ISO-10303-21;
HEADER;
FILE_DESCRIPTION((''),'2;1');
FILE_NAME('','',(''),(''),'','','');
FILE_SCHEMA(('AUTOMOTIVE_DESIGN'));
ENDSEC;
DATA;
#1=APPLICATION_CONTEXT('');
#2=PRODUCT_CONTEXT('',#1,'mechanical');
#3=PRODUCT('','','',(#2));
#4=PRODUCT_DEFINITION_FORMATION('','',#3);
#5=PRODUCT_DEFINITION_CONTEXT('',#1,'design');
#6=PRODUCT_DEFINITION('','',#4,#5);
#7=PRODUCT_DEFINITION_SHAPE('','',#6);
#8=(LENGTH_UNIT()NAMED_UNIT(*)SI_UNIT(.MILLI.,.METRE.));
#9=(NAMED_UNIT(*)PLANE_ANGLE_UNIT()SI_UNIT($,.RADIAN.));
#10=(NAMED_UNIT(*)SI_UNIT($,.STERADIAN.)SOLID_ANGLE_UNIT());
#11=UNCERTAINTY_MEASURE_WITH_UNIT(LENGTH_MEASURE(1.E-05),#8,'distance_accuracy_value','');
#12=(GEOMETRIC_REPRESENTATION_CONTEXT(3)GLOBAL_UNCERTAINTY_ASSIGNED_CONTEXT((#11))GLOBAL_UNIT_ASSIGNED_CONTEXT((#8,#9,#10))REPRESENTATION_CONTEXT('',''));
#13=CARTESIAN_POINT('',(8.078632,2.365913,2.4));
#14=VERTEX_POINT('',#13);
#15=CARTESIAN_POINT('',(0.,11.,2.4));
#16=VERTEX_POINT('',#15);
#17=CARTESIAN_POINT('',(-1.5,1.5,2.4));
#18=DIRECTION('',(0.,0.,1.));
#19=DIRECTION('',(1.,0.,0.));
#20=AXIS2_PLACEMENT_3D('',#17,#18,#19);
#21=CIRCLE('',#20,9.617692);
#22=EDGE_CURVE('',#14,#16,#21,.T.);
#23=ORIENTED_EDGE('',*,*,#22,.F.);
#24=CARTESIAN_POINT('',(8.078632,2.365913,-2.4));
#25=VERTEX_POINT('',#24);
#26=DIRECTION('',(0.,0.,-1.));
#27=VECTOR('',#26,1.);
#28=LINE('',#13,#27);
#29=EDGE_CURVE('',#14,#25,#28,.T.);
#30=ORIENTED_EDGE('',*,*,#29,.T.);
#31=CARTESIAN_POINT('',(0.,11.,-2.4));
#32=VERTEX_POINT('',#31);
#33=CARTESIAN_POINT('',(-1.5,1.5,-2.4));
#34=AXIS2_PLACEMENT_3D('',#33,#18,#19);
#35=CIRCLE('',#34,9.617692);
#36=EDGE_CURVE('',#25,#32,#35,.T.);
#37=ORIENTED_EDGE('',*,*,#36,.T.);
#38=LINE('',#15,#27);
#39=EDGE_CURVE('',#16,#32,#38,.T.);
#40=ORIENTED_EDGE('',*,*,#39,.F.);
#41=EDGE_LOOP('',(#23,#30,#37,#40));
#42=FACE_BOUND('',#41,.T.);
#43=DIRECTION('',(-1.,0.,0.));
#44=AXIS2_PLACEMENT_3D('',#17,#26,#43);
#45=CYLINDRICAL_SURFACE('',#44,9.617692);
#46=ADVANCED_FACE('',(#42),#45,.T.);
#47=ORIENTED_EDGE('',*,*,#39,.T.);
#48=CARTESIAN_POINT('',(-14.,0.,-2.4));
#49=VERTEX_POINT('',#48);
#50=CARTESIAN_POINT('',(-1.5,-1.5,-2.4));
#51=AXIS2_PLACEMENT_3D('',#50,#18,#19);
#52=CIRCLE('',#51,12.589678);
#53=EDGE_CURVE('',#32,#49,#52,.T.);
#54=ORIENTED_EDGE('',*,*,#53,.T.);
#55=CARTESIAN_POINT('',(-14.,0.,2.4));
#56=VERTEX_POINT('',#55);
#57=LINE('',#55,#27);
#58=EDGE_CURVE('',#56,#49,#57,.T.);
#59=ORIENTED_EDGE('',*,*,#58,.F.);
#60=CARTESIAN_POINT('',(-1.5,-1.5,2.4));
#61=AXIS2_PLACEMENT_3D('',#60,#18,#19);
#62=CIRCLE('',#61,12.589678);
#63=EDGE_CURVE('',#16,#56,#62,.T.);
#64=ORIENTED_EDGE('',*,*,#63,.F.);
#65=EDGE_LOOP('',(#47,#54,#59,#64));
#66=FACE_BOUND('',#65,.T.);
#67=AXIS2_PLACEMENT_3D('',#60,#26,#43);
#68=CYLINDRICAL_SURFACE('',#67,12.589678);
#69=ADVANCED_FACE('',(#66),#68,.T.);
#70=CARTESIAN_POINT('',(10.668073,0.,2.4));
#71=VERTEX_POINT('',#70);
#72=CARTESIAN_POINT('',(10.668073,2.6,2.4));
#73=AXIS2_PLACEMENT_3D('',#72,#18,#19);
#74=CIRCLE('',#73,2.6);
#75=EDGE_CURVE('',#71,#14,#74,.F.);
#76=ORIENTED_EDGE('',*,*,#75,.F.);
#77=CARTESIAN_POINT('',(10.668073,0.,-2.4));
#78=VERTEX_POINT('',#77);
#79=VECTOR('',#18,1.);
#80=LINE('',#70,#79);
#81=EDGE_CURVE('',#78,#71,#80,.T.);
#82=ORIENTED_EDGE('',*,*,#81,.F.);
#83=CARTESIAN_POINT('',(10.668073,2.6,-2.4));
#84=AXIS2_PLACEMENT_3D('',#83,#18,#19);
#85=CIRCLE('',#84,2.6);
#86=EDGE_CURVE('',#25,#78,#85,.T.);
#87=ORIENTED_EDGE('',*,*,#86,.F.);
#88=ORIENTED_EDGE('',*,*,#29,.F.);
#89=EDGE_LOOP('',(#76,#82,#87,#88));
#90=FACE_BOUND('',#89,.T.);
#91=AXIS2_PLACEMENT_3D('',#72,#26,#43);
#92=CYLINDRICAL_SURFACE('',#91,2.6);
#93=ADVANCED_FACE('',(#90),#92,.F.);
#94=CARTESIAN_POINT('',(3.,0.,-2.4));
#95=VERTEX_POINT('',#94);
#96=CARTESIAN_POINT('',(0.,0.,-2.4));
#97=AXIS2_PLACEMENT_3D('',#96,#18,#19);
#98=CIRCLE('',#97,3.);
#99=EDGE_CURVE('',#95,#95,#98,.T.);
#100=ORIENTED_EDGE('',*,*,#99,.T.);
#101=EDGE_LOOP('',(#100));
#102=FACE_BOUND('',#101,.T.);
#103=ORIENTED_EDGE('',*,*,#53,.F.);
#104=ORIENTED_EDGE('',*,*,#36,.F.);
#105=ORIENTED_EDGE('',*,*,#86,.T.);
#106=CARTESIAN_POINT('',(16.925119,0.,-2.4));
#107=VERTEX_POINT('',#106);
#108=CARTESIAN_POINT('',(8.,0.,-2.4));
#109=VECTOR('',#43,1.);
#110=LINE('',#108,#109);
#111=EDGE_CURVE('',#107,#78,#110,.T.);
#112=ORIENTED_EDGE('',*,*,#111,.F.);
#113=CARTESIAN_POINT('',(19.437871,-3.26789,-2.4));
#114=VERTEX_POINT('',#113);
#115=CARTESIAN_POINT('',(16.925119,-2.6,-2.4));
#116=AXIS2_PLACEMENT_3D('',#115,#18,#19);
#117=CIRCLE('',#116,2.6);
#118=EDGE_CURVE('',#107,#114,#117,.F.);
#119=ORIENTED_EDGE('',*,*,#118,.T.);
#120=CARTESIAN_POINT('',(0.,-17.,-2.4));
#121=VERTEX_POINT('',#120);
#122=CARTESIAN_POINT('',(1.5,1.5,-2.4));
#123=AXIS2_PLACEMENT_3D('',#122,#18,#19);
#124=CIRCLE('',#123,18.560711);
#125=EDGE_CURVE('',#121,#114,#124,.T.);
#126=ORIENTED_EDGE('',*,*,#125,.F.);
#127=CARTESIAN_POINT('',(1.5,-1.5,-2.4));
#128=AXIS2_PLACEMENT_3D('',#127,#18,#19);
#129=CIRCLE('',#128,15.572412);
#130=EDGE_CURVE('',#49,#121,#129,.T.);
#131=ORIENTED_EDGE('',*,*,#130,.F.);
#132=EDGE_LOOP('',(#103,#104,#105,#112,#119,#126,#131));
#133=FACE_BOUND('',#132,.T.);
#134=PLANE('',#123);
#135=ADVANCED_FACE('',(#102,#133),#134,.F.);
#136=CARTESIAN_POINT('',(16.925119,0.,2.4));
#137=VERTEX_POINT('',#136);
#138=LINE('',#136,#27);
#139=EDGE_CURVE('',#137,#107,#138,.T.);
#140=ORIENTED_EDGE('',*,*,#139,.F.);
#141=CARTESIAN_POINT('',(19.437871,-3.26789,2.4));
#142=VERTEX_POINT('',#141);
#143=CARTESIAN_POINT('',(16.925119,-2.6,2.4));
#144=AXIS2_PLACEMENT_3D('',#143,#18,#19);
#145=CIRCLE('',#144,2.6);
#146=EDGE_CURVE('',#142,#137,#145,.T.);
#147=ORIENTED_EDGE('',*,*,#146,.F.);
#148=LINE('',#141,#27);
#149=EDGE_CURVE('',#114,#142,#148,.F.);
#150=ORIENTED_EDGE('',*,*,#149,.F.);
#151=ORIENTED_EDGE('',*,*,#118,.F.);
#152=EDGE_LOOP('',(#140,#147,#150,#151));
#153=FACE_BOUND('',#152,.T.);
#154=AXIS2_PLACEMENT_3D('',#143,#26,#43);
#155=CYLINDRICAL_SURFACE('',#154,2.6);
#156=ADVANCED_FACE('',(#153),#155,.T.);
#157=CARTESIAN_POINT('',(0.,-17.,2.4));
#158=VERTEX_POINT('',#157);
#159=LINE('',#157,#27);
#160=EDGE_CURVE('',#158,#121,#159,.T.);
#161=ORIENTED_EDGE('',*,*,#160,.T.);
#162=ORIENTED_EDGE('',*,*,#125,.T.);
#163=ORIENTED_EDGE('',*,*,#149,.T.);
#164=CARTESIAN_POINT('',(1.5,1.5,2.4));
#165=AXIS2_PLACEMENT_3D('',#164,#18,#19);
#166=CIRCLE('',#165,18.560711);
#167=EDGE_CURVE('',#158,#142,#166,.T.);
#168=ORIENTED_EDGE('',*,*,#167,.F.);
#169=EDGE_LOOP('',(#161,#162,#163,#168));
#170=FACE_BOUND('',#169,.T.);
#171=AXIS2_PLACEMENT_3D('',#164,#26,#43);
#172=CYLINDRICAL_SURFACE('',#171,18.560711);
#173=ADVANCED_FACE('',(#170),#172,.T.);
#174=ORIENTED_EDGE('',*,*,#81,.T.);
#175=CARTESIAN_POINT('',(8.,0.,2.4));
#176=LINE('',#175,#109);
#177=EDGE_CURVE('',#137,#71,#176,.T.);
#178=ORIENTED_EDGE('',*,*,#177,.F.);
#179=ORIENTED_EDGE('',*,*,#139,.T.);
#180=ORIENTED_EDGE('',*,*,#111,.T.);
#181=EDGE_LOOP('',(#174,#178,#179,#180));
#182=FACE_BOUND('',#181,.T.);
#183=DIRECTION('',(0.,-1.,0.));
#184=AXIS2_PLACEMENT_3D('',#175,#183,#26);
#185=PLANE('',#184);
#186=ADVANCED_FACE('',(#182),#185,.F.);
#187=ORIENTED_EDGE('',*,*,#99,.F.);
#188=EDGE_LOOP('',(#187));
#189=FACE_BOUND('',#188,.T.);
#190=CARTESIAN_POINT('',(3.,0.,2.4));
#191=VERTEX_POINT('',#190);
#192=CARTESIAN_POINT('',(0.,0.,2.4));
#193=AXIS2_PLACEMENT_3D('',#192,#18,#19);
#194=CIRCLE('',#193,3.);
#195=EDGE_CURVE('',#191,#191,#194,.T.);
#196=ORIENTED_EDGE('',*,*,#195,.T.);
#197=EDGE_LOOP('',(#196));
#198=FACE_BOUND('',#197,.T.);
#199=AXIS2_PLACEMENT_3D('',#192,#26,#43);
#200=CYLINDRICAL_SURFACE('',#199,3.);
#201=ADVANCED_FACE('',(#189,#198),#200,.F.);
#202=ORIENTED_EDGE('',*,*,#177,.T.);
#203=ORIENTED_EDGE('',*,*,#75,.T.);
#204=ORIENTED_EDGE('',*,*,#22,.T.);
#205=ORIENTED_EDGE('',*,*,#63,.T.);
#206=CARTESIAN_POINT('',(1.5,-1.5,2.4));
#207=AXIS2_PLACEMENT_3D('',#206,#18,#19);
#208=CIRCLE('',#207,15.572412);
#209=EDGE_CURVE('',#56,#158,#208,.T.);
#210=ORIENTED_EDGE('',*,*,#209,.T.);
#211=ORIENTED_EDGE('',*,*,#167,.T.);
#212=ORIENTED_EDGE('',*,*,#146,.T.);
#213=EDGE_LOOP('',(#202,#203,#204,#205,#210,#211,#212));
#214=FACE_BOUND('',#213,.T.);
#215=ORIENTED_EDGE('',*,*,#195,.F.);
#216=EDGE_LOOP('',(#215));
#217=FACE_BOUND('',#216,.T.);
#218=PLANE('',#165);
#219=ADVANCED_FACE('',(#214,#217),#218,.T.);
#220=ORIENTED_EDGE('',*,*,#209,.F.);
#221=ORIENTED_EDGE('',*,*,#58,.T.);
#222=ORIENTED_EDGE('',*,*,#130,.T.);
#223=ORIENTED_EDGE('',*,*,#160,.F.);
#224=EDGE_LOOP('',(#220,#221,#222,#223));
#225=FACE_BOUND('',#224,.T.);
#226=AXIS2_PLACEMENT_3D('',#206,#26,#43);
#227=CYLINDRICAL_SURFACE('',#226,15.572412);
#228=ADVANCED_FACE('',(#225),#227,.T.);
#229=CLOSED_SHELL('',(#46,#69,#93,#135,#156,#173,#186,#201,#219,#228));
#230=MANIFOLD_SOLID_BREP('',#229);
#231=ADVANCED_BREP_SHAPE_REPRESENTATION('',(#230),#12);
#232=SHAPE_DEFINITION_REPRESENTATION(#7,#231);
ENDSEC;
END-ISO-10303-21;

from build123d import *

# Parameters (mm, degrees)
SKETCH1_R           = 3
BOSS_EXTRUDE1_DEPTH = 2.4
FILLET1_R           = 2.6


with BuildPart() as part:
    # Sketch1 → Boss-Extrude1 (new body, symmetric)
    with BuildSketch(Plane.XY):
        with BuildLine():
            Line((8, 0), (20, 0))
            ThreePointArc((20, 0), (13.52081528, -12.642135624), (0, -17))
            ThreePointArc((0, -17), (-10.52081528, -11.399494937), (-14, 0))
            ThreePointArc((-14, 0), (-9.278174593, 8.399494937), (0, 11))
            ThreePointArc((0, 11), (6.278174593, 7.156854249), (8, 0))
        make_face()
        Circle(SKETCH1_R, mode=Mode.SUBTRACT)
    extrude(amount=BOSS_EXTRUDE1_DEPTH, both=True)

    # Fillet1
    fillet1_edges = [part.edges().sort_by_distance(p)[0] for p in [
        (8, 0, 0),
        (20, 0, 0),
    ]]
    fillet(fillet1_edges, radius=FILLET1_R)


solid = part.part
